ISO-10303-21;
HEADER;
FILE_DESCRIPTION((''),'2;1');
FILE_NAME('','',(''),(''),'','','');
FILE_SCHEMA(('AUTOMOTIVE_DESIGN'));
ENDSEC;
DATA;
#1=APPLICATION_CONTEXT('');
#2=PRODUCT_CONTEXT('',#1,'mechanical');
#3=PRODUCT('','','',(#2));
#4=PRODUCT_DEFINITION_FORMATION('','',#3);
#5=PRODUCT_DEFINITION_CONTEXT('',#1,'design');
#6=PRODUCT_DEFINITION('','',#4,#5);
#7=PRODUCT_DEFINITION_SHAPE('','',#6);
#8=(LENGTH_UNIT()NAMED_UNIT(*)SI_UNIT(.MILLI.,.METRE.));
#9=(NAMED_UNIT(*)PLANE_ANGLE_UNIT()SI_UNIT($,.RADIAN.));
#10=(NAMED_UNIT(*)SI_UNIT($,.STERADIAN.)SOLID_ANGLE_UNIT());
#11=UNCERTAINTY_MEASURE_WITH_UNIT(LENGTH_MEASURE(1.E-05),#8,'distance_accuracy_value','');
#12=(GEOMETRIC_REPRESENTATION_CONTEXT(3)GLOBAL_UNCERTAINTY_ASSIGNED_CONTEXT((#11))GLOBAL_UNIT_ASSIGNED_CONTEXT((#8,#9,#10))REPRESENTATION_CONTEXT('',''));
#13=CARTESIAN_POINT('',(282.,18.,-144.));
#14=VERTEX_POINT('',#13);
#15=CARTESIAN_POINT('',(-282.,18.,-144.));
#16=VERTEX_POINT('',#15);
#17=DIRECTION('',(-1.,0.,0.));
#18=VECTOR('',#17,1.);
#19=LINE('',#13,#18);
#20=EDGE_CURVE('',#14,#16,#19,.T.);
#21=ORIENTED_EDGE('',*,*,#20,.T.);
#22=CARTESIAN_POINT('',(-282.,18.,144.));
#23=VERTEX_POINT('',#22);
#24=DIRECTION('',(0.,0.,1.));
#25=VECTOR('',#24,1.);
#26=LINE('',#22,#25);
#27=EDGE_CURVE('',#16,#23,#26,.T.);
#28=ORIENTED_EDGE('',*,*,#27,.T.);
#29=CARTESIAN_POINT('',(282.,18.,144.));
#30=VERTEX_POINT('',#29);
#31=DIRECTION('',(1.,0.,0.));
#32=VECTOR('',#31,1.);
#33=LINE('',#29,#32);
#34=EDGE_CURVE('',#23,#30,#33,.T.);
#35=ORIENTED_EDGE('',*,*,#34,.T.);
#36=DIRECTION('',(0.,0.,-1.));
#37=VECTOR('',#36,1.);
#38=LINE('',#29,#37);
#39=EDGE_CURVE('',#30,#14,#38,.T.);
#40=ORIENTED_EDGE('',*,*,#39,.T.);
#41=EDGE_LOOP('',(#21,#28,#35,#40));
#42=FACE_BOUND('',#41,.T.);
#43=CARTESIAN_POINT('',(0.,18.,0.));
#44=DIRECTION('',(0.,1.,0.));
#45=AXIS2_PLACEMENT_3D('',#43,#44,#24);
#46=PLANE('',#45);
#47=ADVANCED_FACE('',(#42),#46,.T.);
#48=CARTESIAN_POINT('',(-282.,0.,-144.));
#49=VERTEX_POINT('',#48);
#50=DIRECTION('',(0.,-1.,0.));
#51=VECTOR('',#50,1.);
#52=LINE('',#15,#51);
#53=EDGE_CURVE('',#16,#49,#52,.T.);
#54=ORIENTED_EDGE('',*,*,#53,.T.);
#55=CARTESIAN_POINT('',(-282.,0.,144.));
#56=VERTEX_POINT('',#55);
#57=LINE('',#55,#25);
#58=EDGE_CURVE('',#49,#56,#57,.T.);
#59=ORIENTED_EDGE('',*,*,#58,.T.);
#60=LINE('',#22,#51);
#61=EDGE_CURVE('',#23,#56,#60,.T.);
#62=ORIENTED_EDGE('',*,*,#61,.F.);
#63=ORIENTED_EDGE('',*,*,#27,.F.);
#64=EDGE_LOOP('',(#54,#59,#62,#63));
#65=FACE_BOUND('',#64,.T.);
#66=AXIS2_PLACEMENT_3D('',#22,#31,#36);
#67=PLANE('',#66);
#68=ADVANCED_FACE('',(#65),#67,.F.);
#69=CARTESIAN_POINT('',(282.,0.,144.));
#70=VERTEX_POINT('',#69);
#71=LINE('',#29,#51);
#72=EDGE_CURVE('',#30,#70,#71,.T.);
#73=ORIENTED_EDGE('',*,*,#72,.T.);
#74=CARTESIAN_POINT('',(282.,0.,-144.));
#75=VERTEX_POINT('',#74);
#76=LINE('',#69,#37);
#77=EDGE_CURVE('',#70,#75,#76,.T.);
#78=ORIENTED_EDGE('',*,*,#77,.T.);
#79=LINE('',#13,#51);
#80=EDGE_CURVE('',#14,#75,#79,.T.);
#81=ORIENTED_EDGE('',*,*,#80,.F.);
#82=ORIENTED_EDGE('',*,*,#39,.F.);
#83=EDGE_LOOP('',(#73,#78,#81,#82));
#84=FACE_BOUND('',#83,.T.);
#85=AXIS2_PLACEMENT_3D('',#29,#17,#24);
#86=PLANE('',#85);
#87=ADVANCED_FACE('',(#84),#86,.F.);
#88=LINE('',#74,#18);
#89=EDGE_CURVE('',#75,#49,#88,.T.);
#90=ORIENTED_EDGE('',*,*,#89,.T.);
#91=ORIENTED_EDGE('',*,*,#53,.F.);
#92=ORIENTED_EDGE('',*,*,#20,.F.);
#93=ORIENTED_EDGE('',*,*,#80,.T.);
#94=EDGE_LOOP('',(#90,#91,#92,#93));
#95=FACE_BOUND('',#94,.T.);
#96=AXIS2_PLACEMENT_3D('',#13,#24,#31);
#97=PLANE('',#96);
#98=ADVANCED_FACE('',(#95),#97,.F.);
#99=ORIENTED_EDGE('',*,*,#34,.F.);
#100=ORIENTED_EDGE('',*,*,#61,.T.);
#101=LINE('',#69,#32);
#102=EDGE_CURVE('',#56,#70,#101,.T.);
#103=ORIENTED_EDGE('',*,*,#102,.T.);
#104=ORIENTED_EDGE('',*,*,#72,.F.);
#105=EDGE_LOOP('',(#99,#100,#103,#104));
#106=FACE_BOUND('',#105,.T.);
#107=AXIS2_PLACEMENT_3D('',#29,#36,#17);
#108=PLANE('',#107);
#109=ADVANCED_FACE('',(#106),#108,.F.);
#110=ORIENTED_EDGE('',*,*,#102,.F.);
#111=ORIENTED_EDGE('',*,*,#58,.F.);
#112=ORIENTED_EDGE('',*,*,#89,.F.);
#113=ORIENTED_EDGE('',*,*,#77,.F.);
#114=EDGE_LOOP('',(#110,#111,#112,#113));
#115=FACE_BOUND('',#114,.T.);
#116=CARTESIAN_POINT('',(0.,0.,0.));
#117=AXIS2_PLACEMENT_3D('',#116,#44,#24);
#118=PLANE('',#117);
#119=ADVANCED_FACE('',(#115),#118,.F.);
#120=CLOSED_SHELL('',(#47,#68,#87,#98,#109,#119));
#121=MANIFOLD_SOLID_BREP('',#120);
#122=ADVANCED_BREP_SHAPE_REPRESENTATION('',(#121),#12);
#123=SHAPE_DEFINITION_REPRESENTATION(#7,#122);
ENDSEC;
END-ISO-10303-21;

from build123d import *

# Parameters (mm, degrees)
SKETCH1_W           = 564
SKETCH1_H           = 288
BOSS_EXTRUDE1_DEPTH = 18


with BuildPart() as part:
    # Sketch1 → Boss-Extrude1 (new body)
    with BuildSketch(Plane(origin=(0, 0, 0), x_dir=(1, 0, 0), z_dir=(0, 1, 0))):
        Rectangle(SKETCH1_W, SKETCH1_H)
    extrude(amount=BOSS_EXTRUDE1_DEPTH)


solid = part.part
